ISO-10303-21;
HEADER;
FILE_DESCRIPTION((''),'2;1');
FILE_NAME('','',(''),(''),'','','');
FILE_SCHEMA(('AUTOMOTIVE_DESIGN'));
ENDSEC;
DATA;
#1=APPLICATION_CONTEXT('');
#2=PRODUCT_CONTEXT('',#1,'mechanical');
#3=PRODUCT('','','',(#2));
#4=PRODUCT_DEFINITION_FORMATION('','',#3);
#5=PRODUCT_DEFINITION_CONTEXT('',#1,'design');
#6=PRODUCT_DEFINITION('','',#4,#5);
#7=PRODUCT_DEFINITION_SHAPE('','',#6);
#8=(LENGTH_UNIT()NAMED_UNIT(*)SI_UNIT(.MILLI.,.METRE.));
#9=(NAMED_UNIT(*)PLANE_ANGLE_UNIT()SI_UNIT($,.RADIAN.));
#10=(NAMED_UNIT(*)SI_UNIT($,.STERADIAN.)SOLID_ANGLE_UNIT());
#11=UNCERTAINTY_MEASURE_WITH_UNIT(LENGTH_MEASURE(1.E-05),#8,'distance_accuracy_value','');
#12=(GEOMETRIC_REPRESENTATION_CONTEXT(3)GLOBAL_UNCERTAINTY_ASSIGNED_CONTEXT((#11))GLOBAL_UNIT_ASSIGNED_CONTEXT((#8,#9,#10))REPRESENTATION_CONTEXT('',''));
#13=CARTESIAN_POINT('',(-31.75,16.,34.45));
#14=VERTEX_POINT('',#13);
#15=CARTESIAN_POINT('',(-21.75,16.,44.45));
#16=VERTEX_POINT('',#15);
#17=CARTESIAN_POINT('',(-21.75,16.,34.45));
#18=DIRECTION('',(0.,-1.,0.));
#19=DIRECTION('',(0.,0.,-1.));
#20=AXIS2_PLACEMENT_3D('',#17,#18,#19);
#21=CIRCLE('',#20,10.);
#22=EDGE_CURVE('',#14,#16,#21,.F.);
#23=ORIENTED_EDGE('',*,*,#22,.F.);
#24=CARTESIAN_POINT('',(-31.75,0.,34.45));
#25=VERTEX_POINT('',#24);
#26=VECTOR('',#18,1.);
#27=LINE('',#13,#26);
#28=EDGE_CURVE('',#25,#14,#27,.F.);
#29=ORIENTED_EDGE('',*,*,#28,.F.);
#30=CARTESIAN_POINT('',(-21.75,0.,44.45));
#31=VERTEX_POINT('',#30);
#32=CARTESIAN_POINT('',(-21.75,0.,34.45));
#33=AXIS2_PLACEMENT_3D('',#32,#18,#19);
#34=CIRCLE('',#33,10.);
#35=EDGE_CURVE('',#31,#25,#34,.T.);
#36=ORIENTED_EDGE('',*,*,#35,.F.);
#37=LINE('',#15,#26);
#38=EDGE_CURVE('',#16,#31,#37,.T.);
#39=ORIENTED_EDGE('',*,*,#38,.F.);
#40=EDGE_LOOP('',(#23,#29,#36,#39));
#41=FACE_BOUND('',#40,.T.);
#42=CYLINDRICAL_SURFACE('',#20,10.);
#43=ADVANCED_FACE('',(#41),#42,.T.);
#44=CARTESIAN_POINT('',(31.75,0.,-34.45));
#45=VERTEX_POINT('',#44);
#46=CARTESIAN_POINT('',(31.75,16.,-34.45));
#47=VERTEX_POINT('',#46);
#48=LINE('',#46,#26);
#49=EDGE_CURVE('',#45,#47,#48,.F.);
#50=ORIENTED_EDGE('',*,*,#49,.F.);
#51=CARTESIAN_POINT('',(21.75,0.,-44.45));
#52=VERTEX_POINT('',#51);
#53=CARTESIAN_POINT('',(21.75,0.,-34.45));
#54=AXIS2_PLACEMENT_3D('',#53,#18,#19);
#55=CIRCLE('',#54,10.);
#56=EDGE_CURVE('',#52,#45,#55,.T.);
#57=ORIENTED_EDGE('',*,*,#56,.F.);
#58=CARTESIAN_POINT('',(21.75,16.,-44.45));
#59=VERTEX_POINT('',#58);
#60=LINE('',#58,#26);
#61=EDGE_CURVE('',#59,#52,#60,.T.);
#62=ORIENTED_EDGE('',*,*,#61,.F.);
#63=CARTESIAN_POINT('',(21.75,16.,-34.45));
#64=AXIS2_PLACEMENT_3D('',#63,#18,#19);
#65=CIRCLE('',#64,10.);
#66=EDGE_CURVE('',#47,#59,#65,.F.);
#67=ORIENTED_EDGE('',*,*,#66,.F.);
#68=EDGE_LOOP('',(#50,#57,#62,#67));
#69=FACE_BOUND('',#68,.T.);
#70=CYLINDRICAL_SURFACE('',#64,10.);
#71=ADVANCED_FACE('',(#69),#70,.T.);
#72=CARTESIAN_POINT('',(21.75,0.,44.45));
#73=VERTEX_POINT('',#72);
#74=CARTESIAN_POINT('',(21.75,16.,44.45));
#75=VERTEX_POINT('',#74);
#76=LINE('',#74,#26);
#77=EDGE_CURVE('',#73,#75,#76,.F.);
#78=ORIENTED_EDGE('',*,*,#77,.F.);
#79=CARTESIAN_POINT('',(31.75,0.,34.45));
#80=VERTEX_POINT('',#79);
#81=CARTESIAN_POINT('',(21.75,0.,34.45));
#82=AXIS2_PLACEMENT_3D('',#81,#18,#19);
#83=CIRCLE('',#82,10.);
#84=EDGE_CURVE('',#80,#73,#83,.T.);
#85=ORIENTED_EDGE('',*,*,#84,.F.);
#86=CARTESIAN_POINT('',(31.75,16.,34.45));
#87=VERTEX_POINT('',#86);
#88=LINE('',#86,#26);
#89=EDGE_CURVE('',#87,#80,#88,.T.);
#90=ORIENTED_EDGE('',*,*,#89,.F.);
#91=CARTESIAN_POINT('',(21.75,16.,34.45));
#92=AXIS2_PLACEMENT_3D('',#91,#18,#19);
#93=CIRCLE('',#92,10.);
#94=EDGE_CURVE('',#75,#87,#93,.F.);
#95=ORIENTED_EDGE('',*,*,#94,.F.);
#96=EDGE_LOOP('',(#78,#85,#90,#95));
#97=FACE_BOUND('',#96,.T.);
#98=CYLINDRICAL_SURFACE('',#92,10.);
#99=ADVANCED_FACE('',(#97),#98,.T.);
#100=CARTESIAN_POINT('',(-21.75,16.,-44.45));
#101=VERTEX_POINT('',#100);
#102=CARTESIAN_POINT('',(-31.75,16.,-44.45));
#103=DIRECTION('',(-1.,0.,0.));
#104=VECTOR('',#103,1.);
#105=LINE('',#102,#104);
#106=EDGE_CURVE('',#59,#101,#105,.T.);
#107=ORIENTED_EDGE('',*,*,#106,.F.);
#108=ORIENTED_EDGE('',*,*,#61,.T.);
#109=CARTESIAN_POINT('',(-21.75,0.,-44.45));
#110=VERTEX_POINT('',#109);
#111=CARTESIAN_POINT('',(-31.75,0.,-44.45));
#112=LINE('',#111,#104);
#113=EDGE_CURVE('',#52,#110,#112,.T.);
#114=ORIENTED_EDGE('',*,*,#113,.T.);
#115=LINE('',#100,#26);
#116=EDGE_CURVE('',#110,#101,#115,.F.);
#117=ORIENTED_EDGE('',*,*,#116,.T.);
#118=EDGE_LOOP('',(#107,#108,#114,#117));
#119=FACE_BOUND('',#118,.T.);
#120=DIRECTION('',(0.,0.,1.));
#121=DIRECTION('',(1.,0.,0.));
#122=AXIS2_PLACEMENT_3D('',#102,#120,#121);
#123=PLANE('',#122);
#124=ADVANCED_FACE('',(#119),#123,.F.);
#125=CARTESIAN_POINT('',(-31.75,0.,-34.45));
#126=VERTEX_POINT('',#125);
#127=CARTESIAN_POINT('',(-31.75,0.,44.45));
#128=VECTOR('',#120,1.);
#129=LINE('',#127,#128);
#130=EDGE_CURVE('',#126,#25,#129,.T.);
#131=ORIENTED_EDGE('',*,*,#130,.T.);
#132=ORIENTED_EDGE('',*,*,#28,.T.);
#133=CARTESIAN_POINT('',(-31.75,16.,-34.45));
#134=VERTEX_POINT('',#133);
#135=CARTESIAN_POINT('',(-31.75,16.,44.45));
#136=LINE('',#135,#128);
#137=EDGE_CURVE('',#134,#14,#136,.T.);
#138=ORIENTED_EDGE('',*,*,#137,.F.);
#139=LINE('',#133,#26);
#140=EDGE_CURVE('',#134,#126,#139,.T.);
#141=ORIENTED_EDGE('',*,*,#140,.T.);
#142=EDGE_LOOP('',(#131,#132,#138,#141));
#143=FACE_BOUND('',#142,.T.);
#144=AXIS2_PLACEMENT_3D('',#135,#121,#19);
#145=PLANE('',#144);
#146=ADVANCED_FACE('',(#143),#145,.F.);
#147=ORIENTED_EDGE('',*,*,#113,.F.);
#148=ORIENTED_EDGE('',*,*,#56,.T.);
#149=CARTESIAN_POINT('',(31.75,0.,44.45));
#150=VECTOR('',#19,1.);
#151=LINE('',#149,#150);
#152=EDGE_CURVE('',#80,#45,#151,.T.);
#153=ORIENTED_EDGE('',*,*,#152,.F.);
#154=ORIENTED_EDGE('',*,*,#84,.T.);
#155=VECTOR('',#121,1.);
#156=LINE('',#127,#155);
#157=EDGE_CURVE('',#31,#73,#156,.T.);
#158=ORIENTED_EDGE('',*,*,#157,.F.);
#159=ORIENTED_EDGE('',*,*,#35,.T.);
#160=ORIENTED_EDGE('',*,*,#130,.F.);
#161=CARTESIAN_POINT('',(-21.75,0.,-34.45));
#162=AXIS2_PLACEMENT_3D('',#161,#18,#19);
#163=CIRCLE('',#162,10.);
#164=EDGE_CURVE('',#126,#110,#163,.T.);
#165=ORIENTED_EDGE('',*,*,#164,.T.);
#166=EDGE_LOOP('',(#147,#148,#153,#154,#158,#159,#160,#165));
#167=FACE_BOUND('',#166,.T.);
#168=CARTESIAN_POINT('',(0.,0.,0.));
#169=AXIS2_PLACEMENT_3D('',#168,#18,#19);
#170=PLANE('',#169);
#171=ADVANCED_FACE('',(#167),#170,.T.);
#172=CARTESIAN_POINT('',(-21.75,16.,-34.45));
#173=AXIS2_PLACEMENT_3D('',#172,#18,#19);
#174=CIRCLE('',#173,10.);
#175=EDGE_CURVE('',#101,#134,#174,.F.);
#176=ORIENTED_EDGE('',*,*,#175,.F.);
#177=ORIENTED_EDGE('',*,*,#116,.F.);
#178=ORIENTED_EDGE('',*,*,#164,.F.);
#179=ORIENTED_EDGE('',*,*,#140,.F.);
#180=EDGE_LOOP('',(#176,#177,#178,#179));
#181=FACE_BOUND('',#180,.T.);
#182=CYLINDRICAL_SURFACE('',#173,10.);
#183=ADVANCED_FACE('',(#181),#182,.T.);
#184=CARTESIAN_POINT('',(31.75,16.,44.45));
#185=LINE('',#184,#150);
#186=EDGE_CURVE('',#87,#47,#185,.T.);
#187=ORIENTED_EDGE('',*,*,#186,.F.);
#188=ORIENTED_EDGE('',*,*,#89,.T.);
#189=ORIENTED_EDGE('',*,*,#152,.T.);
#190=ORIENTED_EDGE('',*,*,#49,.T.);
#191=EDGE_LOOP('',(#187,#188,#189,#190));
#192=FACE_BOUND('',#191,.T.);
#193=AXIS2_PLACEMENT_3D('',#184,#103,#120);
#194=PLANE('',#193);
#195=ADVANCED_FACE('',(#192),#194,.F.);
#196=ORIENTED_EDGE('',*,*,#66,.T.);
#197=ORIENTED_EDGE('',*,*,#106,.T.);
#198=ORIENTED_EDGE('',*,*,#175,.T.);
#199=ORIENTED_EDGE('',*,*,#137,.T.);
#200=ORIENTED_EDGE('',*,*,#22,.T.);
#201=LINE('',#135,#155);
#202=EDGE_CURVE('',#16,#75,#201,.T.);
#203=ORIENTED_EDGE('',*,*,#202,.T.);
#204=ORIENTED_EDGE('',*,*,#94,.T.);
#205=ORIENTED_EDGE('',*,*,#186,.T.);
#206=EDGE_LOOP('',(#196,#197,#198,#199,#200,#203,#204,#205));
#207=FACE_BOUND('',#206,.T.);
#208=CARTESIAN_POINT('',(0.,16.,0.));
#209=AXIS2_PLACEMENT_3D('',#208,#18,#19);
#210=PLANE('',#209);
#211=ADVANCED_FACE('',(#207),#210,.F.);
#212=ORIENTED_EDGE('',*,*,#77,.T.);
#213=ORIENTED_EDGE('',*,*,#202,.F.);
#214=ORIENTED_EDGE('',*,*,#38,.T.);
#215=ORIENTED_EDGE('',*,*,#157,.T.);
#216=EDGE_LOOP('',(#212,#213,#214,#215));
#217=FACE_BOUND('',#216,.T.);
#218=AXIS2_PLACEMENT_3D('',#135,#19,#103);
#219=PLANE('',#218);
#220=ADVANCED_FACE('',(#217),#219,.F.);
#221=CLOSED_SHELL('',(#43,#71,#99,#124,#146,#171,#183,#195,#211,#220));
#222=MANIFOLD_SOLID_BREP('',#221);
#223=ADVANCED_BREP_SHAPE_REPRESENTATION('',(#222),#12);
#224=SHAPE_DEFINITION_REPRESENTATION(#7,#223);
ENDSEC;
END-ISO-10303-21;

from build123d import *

# Parameters (mm, degrees)
SKETCH1_W           = 63.5
SKETCH1_H           = 88.9
BOSS_EXTRUDE1_DEPTH = 16
FILLET1_R           = 10


with BuildPart() as part:
    # Sketch1 → Boss-Extrude1 (new body)
    with BuildSketch(Plane(origin=(0, 0, 0), x_dir=(1, 0, 0), z_dir=(0, 1, 0))):
        Rectangle(SKETCH1_W, SKETCH1_H)
    extrude(amount=BOSS_EXTRUDE1_DEPTH)

    # Fillet1
    fillet1_edges = [part.edges().sort_by_distance(p)[0] for p in [
        (31.75, 8, 44.45),
        (-31.75, 8, 44.45),
        (-31.75, 8, -44.45),
        (31.75, 8, -44.45),
    ]]
    fillet(fillet1_edges, radius=FILLET1_R)


solid = part.part
